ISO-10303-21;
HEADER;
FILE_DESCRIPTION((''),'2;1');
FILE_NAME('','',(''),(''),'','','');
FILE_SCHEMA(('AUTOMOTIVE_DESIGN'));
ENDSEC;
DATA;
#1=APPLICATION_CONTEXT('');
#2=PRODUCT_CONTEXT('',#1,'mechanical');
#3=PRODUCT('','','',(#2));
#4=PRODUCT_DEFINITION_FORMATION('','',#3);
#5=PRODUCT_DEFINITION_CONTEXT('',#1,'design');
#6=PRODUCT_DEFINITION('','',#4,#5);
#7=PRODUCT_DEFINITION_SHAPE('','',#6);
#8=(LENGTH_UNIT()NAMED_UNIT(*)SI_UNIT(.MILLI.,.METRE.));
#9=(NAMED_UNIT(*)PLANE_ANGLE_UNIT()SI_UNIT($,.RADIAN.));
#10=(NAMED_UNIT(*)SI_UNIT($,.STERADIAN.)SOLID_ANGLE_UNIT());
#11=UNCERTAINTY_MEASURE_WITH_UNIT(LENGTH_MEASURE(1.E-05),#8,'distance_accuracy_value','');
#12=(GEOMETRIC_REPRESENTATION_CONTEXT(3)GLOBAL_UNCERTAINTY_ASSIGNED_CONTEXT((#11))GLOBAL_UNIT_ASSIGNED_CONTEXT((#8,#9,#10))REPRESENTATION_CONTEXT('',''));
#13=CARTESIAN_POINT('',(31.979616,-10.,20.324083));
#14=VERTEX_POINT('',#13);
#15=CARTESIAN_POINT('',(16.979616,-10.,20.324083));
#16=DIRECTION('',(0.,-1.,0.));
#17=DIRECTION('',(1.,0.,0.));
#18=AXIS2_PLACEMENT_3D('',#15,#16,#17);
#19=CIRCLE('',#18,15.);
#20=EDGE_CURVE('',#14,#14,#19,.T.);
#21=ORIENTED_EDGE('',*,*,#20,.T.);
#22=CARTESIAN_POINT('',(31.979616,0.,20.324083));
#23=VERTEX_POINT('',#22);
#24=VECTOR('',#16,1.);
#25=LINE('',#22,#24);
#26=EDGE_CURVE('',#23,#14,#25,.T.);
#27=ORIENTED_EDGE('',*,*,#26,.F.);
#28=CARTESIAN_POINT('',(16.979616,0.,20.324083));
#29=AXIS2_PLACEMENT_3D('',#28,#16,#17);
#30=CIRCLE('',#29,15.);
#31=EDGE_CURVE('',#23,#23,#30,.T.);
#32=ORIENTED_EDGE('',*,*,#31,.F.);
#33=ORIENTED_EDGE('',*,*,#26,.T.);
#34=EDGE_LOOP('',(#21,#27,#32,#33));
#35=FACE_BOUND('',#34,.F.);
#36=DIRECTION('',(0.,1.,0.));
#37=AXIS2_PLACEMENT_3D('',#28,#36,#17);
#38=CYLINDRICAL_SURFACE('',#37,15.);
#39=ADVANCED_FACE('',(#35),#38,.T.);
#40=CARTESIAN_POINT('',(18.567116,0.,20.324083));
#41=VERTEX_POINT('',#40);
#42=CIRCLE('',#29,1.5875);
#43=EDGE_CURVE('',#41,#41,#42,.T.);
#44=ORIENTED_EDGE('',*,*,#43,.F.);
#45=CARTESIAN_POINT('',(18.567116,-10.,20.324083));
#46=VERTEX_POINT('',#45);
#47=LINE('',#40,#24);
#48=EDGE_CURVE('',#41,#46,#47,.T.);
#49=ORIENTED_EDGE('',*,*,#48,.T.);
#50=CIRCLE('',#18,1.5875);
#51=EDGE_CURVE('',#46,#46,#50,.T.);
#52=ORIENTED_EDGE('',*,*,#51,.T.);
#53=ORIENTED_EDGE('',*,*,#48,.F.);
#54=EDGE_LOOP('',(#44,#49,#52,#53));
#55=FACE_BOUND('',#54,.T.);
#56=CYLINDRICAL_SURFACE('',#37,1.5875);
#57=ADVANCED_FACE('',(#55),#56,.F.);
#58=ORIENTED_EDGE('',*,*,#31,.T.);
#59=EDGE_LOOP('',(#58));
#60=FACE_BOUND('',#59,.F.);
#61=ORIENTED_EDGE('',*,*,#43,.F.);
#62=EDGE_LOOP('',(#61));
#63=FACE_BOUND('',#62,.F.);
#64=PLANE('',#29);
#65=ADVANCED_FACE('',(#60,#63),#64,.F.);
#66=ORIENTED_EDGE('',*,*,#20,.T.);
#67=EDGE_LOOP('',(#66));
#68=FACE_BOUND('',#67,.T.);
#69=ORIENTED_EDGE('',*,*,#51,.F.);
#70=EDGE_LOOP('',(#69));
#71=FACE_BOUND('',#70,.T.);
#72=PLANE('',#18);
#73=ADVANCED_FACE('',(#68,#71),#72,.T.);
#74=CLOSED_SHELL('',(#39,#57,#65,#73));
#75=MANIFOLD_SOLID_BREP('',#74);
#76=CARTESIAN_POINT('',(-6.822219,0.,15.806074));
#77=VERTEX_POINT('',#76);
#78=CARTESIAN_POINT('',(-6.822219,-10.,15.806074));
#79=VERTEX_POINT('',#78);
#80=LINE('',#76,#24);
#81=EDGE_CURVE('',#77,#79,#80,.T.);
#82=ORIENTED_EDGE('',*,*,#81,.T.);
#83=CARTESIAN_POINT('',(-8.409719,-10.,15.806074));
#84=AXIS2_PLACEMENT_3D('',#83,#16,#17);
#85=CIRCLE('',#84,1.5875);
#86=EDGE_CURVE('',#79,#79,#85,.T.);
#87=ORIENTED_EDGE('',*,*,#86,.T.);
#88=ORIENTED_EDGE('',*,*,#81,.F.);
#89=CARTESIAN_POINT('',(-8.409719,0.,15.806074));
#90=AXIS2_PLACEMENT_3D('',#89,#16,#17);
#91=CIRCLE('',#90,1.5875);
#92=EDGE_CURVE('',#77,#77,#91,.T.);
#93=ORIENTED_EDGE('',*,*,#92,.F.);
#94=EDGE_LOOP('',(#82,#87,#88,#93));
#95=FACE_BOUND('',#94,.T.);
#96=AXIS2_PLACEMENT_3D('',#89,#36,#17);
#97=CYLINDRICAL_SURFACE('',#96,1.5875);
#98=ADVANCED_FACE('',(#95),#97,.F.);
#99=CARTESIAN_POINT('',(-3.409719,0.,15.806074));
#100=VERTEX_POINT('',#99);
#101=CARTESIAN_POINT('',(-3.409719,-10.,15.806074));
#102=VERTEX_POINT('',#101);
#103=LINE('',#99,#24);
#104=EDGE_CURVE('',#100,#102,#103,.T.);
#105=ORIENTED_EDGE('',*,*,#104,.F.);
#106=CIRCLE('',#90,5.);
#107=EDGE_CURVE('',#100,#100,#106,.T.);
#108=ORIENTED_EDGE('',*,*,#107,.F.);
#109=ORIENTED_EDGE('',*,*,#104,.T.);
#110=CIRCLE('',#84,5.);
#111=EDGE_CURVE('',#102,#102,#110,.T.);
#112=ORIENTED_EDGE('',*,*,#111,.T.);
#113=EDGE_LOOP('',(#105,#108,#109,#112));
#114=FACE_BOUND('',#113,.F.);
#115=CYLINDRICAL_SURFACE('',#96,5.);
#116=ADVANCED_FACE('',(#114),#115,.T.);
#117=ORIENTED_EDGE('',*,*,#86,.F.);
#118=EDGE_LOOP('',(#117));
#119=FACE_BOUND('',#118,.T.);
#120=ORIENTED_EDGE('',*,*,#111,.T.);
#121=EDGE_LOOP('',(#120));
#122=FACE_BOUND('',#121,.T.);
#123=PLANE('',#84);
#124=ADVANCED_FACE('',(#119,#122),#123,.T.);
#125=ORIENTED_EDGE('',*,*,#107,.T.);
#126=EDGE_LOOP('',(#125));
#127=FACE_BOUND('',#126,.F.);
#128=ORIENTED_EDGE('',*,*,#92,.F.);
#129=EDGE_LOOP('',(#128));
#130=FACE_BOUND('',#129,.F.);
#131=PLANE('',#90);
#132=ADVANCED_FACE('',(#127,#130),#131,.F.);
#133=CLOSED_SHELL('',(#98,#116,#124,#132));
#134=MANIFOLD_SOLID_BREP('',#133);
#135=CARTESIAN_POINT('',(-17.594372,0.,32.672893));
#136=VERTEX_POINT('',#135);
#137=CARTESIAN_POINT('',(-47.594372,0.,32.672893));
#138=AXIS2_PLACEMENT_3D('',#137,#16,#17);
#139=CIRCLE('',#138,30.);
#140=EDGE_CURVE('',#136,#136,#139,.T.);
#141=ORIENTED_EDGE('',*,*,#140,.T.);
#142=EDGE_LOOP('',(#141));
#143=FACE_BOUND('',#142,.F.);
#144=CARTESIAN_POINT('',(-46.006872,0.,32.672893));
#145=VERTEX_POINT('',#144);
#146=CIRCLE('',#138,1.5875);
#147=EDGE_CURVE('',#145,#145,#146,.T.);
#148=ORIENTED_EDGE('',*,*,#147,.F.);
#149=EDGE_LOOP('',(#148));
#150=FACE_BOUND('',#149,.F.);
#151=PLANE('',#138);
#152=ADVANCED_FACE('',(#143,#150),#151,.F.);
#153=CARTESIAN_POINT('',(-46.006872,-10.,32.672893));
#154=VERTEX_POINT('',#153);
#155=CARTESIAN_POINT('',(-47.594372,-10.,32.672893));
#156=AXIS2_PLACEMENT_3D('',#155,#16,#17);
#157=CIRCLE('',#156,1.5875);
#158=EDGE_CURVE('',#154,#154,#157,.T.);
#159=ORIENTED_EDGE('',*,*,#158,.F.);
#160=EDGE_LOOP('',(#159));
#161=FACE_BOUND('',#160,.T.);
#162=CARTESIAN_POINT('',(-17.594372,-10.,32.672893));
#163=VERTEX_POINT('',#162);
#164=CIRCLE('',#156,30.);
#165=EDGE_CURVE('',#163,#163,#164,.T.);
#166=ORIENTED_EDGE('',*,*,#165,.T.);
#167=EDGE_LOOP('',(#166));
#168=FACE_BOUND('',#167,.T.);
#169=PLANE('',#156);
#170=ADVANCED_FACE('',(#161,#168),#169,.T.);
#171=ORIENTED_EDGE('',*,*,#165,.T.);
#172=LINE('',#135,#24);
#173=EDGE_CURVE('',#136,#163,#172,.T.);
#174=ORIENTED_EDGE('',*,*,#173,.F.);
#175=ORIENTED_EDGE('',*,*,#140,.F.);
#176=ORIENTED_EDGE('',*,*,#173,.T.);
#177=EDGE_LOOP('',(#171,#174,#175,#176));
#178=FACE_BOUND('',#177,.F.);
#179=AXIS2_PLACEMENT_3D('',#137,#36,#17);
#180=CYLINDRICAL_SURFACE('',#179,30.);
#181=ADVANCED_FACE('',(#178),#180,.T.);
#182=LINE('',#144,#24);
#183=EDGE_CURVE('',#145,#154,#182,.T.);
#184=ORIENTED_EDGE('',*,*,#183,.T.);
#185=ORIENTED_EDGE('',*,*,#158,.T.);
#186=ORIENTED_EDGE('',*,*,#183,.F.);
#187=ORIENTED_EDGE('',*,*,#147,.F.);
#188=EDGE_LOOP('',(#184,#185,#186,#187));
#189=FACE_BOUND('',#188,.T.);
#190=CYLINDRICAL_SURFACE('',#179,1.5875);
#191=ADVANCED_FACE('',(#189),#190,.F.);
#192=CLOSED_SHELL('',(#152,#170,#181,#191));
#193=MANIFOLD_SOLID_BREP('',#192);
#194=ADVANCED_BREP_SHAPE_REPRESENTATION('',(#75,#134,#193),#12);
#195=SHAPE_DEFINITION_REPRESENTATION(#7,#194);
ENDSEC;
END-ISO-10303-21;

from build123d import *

# Parameters (mm, degrees)
F0_R     = 30
F0_R_2   = 1.5875
F0_R_3   = 15
F0_R_4   = 5
F1_DEPTH = 10


with BuildPart() as f1:
    # F0 (on Front) → F1 (new body)
    with BuildSketch(Plane.XZ):
        with Locations((-47.594372, 32.672893)):
            Circle(F0_R)
        with Locations((-47.594372, 32.672893)):
            Circle(F0_R_2, mode=Mode.SUBTRACT)
        with Locations((16.979616, 20.324083)):
            Circle(F0_R_3)
        with Locations((16.979616, 20.324083)):
            Circle(F0_R_2, mode=Mode.SUBTRACT)
        with Locations((-8.409719, 15.806074)):
            Circle(F0_R_4)
        with Locations((-8.409719, 15.806074)):
            Circle(F0_R_2, mode=Mode.SUBTRACT)
    extrude(amount=F1_DEPTH)


solid = f1.part
